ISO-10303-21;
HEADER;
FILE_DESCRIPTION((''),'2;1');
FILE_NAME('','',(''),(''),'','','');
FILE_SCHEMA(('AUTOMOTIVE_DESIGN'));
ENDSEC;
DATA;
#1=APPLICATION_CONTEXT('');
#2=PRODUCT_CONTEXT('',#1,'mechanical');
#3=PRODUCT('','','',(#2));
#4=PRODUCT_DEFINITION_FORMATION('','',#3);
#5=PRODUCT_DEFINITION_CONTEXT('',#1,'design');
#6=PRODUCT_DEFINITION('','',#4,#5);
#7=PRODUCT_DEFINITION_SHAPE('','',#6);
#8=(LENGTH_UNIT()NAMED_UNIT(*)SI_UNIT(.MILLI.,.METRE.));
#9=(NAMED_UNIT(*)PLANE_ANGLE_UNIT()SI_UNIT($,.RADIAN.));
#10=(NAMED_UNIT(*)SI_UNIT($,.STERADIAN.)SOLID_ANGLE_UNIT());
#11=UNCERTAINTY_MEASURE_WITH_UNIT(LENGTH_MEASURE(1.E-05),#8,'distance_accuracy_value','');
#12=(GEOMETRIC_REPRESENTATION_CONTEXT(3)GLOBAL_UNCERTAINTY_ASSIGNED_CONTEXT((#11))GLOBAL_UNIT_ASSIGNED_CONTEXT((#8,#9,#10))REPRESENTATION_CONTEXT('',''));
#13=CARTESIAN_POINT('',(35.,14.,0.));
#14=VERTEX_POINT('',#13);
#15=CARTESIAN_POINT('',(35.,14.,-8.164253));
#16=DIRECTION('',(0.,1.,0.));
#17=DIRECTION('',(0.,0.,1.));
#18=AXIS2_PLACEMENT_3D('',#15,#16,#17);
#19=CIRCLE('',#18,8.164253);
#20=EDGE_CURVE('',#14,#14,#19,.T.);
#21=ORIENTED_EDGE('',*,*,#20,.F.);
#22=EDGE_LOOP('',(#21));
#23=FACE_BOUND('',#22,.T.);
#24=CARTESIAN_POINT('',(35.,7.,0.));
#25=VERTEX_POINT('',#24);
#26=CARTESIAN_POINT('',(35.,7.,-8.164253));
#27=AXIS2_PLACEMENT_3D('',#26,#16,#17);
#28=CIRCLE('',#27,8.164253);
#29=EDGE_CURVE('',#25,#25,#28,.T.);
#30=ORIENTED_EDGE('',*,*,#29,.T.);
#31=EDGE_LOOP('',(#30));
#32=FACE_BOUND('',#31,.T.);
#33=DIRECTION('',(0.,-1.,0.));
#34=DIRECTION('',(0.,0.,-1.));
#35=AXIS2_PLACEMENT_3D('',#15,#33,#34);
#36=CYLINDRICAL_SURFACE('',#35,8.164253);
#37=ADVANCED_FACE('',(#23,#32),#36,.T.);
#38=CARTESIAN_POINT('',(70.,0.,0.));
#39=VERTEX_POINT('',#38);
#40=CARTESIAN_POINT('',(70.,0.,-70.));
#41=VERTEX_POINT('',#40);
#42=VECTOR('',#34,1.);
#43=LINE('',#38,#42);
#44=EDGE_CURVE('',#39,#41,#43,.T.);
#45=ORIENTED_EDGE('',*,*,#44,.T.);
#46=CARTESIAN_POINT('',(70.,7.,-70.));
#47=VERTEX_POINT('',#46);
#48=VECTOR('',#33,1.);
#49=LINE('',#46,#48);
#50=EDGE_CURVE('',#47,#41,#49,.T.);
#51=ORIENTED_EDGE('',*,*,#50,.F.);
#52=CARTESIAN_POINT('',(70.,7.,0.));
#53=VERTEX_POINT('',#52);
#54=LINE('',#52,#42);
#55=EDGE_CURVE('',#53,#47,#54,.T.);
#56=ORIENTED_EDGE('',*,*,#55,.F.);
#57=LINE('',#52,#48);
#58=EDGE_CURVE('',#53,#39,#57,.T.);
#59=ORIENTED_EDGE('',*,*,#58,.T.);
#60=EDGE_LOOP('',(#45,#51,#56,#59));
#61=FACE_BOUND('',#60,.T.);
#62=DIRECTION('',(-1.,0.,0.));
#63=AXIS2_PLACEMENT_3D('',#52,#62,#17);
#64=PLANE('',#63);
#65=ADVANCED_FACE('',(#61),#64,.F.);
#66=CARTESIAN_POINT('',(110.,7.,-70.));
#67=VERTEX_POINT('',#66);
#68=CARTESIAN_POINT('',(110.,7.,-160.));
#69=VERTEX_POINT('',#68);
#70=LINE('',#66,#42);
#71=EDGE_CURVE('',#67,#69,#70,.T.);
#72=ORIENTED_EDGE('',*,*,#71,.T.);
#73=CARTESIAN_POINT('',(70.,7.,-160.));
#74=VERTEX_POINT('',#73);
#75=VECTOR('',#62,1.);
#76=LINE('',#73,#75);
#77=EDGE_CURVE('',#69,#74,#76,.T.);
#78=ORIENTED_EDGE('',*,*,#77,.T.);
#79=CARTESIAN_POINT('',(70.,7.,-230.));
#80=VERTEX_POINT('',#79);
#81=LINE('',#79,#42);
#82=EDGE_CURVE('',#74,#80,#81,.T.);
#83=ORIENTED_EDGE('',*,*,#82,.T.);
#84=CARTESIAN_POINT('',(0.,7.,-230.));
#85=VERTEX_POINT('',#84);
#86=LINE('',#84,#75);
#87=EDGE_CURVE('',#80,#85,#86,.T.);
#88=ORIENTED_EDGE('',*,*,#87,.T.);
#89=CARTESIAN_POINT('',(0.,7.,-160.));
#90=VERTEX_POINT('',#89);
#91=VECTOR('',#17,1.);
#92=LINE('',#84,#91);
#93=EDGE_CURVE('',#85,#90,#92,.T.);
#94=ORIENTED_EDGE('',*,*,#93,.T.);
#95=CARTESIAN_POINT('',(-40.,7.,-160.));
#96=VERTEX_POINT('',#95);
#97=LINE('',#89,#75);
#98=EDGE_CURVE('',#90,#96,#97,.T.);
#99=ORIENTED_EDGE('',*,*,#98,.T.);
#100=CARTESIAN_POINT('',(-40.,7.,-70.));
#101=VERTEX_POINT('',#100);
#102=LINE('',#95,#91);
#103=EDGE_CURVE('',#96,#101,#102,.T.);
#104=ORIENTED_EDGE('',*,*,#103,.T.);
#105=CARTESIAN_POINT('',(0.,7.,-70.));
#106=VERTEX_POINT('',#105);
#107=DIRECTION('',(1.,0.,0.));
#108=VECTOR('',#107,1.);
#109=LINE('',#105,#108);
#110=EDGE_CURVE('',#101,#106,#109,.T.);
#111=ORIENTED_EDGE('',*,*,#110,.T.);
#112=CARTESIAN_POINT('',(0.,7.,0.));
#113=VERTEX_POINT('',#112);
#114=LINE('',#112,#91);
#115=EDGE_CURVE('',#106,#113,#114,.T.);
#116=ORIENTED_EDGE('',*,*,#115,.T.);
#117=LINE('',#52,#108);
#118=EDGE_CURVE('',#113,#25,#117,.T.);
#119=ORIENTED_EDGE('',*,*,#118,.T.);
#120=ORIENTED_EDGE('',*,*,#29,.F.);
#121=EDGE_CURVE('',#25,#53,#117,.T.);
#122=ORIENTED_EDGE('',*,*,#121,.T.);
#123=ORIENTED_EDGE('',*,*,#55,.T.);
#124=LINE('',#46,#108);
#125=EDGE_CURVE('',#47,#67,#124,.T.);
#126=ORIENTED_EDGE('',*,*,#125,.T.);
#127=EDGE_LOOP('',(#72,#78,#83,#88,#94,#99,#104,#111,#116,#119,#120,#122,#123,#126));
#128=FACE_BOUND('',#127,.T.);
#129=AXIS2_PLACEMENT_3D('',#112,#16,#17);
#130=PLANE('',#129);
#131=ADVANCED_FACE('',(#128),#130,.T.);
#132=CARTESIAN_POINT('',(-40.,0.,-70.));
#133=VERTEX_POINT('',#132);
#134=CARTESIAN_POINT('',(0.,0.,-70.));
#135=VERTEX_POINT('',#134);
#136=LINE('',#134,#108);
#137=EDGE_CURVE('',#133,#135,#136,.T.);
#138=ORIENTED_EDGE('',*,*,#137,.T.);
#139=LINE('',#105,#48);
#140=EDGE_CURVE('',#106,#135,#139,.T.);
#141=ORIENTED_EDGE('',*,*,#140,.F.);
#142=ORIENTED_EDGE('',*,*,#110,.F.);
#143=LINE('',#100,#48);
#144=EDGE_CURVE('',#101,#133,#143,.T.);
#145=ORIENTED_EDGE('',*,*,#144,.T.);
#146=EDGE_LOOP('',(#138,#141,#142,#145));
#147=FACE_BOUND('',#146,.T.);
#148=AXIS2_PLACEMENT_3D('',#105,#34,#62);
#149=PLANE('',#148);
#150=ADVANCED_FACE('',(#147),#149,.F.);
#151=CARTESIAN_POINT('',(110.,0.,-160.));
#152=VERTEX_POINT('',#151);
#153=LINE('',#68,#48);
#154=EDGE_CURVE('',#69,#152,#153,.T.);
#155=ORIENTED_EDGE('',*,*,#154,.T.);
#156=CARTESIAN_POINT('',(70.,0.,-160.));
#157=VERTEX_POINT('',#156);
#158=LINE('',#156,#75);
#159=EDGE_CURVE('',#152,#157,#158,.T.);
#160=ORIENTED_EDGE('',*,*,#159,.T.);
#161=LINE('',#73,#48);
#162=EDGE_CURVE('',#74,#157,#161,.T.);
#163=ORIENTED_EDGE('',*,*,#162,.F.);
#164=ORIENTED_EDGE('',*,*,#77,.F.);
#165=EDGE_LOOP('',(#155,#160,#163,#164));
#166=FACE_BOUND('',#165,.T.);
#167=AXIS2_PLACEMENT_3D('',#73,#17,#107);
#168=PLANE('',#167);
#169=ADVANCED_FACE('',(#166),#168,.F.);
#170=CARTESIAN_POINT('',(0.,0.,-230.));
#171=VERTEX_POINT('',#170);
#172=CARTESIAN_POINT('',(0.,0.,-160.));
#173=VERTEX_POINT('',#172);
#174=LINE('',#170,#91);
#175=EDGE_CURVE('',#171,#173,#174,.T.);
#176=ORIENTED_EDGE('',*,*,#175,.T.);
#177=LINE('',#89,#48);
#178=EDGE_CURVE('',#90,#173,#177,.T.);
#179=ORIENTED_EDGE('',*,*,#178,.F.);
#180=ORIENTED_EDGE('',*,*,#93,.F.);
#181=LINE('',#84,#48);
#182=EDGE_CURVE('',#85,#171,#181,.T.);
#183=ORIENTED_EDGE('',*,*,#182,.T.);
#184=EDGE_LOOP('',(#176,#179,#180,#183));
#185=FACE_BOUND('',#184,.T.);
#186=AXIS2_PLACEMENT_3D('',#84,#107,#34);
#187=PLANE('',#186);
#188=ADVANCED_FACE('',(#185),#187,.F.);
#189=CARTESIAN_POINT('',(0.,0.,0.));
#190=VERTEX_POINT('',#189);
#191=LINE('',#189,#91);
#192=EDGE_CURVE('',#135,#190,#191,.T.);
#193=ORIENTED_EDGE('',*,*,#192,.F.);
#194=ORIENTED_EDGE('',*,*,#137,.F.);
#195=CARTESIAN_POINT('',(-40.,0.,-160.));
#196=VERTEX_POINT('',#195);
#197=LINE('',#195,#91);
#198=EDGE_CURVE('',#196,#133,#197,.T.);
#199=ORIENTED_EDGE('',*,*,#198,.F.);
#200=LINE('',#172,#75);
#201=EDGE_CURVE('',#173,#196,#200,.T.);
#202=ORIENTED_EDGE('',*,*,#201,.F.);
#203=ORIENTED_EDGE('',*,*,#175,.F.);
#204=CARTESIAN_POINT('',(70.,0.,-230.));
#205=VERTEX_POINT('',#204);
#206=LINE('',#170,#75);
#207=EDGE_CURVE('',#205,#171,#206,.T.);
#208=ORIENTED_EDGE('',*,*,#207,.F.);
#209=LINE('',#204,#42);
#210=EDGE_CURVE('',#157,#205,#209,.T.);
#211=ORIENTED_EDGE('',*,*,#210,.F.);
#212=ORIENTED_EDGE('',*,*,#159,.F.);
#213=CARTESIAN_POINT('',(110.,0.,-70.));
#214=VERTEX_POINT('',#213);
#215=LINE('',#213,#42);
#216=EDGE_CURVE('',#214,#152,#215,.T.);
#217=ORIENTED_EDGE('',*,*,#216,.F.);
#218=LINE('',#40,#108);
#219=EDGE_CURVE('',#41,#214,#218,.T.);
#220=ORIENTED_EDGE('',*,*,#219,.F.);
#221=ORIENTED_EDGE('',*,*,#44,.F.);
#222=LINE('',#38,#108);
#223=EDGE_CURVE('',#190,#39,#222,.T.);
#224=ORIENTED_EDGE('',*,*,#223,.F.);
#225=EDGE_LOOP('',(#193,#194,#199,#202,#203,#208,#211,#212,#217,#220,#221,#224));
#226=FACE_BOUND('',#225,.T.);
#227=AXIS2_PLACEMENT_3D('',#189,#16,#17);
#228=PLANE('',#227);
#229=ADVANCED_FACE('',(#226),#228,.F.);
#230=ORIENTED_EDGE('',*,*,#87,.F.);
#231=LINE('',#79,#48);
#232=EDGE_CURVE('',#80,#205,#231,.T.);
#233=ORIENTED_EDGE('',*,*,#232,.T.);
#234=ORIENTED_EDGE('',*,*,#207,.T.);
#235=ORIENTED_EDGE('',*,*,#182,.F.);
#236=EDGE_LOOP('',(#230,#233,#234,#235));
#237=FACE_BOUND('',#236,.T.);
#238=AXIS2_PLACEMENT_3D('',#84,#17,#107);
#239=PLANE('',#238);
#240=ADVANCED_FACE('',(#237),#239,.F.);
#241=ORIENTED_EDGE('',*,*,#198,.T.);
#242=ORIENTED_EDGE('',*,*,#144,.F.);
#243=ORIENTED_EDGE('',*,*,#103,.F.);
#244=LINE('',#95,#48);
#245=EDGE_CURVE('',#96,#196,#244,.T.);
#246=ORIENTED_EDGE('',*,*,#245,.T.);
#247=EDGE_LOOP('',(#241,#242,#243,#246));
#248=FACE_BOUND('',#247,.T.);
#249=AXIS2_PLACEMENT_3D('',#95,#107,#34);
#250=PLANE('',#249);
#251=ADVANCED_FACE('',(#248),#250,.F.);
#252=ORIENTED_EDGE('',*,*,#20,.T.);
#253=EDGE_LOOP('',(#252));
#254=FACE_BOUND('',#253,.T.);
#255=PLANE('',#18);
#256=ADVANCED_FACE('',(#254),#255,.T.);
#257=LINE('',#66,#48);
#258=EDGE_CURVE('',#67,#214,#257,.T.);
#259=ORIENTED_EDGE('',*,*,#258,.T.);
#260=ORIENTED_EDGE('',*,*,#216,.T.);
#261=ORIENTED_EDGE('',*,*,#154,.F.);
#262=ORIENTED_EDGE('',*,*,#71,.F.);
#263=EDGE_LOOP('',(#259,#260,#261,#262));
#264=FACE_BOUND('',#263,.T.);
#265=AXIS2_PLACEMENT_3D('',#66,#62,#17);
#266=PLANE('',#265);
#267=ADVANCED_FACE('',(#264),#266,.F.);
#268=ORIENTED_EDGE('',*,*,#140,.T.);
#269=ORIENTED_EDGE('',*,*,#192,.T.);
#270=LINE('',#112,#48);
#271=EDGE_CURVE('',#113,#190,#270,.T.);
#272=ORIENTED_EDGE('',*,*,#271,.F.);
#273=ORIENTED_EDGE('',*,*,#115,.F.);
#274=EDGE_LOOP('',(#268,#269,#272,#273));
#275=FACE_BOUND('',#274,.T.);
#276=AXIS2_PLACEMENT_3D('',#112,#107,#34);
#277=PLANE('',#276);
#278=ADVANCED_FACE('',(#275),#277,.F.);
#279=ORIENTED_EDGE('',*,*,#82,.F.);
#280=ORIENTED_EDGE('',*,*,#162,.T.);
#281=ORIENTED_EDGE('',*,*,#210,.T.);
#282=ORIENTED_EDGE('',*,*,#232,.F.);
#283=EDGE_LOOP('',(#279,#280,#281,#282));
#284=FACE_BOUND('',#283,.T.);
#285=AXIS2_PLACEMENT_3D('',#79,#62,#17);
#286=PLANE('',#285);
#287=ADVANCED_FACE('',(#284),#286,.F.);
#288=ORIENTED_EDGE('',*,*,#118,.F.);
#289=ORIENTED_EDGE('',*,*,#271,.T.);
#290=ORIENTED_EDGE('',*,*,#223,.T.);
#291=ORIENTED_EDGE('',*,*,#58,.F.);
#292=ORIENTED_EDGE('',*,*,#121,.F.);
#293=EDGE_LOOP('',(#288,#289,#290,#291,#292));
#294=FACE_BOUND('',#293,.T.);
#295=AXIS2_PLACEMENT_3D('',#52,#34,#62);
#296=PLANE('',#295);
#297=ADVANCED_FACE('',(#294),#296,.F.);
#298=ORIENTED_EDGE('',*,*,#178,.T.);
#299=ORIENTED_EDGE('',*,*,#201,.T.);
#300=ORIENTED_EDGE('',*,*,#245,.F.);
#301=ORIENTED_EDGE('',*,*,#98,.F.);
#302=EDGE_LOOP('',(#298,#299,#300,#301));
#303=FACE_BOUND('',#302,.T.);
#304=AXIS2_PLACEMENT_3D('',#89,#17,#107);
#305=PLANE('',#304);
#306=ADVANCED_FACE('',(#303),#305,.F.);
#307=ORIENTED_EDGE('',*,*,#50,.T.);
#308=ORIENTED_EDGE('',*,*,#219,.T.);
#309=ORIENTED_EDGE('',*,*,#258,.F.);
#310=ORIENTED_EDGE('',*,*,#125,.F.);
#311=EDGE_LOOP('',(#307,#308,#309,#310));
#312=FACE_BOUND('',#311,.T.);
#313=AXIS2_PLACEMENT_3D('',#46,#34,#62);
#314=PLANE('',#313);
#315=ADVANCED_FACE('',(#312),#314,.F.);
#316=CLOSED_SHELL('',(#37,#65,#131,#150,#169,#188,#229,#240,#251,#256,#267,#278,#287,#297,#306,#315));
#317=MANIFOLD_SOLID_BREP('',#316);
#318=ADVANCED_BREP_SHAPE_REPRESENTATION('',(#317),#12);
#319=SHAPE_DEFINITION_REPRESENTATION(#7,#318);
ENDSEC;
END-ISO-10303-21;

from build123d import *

# Parameters (mm, degrees)
EXTRUDE_2_DEPTH = 7
SKETCH_4_R      = 8.164253287
EXTRUDE_3_DEPTH = 7


with BuildPart() as part:
    # 草图2 → 凸台-拉伸2 (new body)
    with BuildSketch(Plane(origin=(0, 0, 0), x_dir=(1, 0, 0), z_dir=(0, 1, 0))):
        Polygon((0, 230), (0, 160), (-40, 160), (-40, 70), (0, 70), (0, 0), (70, 0), (70, 70), (110, 70), (110, 160), (70, 160), (70, 230), align=None)
    extrude(amount=EXTRUDE_2_DEPTH)

    # 草图4 → 凸台-拉伸3 (add)
    with BuildSketch(Plane(origin=(0, 7, 0), x_dir=(1, 0, 0), z_dir=(0, 1, 0))):
        with Locations(Location((35, 8.164253287, 0), (0, 0, 270))):
            Circle(SKETCH_4_R)
    extrude(amount=EXTRUDE_3_DEPTH)


solid = part.part
